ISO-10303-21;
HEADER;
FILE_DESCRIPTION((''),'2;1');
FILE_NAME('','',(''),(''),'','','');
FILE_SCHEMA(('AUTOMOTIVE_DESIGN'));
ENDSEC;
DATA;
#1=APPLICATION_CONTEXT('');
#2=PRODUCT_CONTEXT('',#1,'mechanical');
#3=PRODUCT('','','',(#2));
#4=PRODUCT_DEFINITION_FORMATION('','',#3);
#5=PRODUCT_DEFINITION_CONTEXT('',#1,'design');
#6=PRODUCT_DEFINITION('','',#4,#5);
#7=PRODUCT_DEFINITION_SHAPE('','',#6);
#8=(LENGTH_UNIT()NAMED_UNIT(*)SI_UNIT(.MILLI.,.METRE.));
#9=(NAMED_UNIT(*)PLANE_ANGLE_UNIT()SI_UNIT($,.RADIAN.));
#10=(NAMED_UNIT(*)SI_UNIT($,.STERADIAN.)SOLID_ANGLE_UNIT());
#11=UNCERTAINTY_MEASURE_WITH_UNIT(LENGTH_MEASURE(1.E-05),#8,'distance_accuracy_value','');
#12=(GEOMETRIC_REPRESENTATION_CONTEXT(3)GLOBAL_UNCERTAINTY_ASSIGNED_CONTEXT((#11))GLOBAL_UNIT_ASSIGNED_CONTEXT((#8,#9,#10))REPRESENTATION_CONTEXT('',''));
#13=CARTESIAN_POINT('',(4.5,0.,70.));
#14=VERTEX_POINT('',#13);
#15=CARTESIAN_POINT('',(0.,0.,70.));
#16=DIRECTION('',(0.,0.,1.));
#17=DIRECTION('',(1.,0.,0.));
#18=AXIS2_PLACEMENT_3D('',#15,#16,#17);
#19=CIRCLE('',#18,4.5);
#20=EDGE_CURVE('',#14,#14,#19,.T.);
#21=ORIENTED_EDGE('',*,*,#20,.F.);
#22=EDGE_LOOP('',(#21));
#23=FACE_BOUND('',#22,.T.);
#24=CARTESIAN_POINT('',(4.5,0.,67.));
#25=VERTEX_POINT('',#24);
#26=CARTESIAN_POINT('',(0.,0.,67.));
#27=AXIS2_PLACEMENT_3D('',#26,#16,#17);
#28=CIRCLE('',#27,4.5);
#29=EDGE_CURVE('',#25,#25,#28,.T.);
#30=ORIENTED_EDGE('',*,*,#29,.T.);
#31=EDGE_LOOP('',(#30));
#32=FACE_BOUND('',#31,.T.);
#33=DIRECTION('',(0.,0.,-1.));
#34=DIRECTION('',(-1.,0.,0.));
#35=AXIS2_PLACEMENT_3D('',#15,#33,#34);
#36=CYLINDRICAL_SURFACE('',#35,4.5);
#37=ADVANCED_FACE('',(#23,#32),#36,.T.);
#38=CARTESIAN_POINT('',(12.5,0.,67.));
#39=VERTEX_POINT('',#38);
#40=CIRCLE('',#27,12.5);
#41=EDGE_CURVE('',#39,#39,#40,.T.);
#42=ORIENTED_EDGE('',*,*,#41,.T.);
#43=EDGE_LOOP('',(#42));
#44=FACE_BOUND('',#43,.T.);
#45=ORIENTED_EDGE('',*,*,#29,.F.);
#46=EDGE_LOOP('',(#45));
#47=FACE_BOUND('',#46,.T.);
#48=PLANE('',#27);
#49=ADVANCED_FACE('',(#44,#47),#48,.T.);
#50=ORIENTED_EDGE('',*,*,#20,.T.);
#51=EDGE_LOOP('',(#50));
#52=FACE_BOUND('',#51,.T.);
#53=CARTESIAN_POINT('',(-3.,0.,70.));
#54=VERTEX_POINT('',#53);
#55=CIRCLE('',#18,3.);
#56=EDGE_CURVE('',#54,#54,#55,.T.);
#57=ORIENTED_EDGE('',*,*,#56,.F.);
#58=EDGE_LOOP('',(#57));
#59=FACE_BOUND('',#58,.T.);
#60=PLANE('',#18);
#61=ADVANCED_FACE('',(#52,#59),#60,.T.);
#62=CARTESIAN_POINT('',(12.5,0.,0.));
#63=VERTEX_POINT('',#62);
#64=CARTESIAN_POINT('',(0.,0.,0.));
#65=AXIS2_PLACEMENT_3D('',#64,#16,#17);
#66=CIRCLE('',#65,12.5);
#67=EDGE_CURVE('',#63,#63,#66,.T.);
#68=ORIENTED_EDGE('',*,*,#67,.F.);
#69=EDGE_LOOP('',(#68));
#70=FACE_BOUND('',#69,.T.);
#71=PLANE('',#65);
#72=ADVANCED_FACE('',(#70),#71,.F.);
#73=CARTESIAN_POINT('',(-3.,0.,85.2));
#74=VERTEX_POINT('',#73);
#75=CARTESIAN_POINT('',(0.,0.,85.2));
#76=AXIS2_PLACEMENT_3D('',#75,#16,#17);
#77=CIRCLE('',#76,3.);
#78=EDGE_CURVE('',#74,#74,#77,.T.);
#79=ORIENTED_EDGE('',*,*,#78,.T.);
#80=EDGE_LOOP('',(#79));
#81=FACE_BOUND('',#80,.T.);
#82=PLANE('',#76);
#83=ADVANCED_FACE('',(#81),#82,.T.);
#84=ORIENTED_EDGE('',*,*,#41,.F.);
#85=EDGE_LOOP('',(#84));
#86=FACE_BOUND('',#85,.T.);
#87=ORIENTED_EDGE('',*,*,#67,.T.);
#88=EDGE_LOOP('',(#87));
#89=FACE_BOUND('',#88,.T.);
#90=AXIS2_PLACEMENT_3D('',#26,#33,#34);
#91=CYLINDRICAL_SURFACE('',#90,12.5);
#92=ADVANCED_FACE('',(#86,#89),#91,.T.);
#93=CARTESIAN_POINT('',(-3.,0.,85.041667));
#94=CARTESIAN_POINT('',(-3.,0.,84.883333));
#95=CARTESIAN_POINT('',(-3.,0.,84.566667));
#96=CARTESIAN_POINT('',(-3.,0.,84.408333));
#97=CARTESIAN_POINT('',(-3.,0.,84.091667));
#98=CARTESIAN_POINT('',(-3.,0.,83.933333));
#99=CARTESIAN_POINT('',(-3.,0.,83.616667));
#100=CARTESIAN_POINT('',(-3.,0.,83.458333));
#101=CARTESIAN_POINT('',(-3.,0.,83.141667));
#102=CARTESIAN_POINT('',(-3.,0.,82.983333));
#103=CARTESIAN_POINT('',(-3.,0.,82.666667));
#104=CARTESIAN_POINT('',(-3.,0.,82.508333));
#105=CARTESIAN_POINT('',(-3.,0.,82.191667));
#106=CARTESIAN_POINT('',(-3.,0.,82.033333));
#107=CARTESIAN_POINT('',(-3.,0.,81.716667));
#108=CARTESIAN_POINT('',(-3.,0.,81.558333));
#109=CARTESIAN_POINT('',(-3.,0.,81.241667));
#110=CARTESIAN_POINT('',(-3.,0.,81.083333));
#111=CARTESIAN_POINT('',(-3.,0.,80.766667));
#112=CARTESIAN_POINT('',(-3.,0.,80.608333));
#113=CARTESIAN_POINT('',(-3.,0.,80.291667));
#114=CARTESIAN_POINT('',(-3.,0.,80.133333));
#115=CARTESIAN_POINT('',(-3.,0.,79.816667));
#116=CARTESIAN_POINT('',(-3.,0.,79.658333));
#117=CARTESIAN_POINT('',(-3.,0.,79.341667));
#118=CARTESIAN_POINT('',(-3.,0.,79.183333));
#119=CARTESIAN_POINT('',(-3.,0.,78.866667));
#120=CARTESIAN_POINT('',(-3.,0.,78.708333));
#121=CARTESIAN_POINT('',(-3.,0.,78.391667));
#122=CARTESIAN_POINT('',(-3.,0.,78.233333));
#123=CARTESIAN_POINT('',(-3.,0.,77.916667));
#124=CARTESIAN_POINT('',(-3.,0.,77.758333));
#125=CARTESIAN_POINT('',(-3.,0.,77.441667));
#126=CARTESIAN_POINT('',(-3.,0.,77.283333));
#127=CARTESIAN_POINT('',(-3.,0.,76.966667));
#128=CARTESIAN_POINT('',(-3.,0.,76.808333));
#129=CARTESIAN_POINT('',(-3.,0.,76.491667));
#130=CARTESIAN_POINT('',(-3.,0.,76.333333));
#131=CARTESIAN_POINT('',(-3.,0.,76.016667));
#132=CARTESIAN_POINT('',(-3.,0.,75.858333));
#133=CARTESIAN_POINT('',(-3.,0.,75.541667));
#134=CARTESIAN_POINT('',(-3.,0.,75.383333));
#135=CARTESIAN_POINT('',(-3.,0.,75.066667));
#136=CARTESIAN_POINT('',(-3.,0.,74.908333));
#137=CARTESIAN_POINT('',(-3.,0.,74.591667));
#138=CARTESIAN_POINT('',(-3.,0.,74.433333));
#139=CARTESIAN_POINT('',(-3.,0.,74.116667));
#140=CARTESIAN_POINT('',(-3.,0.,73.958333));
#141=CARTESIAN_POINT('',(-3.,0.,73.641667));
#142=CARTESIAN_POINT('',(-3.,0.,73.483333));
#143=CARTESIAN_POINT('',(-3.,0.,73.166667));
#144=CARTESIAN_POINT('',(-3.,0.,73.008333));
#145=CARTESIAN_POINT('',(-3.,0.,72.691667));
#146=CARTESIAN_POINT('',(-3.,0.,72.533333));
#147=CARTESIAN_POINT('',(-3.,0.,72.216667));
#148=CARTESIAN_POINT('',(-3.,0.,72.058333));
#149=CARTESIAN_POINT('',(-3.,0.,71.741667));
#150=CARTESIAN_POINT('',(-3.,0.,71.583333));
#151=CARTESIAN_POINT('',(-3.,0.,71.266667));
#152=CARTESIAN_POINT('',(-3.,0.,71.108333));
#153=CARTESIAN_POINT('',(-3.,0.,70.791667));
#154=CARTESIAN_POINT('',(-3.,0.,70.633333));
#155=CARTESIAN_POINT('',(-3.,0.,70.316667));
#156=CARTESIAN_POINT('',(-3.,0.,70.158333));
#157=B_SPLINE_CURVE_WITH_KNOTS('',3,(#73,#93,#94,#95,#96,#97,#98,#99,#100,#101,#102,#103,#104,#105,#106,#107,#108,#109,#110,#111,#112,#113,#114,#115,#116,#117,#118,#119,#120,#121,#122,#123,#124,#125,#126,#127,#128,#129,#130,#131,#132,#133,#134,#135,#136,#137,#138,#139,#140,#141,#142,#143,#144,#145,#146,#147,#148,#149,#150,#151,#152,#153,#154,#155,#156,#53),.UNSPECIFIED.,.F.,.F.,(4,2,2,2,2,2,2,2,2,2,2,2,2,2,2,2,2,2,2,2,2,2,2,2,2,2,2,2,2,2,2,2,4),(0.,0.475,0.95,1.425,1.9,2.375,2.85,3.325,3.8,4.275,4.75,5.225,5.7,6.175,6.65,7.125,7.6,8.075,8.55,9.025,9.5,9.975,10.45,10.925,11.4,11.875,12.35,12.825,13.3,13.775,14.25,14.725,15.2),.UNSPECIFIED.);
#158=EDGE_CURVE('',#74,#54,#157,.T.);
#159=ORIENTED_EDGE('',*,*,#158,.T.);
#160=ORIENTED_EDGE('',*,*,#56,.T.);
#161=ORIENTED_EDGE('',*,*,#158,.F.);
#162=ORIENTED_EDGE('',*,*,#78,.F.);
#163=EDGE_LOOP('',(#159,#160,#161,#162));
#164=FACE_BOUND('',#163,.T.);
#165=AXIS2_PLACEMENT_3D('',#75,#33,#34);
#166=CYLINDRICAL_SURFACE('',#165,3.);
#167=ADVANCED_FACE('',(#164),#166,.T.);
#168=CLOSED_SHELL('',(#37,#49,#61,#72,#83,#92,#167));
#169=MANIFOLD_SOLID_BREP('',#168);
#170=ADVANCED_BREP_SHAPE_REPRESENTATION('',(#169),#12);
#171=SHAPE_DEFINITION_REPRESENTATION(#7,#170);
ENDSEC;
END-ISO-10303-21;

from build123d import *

# Parameters (mm, degrees)
SKETCH1_R           = 12.5
BOSS_EXTRUDE1_DEPTH = 67
SKETCH2_R           = 4.5
BOSS_EXTRUDE3_DEPTH = 3
SKETCH3_R           = 3
BOSS_EXTRUDE4_DEPTH = 15.2


with BuildPart() as part:
    # Sketch1 → Boss-Extrude1 (new body)
    with BuildSketch(Plane.XY):
        Circle(SKETCH1_R)
    extrude(amount=BOSS_EXTRUDE1_DEPTH)

    # Sketch2 → Boss-Extrude3 (add)
    with BuildSketch(Plane.XY.offset(67)):
        Circle(SKETCH2_R)
    extrude(amount=BOSS_EXTRUDE3_DEPTH)

    # Sketch3 → Boss-Extrude4 (add)
    with BuildSketch(Plane.XY.offset(70)):
        with Locations(Location((0, 0, 0), (0, 0, 180))):
            Circle(SKETCH3_R)
    extrude(amount=BOSS_EXTRUDE4_DEPTH)


solid = part.part
